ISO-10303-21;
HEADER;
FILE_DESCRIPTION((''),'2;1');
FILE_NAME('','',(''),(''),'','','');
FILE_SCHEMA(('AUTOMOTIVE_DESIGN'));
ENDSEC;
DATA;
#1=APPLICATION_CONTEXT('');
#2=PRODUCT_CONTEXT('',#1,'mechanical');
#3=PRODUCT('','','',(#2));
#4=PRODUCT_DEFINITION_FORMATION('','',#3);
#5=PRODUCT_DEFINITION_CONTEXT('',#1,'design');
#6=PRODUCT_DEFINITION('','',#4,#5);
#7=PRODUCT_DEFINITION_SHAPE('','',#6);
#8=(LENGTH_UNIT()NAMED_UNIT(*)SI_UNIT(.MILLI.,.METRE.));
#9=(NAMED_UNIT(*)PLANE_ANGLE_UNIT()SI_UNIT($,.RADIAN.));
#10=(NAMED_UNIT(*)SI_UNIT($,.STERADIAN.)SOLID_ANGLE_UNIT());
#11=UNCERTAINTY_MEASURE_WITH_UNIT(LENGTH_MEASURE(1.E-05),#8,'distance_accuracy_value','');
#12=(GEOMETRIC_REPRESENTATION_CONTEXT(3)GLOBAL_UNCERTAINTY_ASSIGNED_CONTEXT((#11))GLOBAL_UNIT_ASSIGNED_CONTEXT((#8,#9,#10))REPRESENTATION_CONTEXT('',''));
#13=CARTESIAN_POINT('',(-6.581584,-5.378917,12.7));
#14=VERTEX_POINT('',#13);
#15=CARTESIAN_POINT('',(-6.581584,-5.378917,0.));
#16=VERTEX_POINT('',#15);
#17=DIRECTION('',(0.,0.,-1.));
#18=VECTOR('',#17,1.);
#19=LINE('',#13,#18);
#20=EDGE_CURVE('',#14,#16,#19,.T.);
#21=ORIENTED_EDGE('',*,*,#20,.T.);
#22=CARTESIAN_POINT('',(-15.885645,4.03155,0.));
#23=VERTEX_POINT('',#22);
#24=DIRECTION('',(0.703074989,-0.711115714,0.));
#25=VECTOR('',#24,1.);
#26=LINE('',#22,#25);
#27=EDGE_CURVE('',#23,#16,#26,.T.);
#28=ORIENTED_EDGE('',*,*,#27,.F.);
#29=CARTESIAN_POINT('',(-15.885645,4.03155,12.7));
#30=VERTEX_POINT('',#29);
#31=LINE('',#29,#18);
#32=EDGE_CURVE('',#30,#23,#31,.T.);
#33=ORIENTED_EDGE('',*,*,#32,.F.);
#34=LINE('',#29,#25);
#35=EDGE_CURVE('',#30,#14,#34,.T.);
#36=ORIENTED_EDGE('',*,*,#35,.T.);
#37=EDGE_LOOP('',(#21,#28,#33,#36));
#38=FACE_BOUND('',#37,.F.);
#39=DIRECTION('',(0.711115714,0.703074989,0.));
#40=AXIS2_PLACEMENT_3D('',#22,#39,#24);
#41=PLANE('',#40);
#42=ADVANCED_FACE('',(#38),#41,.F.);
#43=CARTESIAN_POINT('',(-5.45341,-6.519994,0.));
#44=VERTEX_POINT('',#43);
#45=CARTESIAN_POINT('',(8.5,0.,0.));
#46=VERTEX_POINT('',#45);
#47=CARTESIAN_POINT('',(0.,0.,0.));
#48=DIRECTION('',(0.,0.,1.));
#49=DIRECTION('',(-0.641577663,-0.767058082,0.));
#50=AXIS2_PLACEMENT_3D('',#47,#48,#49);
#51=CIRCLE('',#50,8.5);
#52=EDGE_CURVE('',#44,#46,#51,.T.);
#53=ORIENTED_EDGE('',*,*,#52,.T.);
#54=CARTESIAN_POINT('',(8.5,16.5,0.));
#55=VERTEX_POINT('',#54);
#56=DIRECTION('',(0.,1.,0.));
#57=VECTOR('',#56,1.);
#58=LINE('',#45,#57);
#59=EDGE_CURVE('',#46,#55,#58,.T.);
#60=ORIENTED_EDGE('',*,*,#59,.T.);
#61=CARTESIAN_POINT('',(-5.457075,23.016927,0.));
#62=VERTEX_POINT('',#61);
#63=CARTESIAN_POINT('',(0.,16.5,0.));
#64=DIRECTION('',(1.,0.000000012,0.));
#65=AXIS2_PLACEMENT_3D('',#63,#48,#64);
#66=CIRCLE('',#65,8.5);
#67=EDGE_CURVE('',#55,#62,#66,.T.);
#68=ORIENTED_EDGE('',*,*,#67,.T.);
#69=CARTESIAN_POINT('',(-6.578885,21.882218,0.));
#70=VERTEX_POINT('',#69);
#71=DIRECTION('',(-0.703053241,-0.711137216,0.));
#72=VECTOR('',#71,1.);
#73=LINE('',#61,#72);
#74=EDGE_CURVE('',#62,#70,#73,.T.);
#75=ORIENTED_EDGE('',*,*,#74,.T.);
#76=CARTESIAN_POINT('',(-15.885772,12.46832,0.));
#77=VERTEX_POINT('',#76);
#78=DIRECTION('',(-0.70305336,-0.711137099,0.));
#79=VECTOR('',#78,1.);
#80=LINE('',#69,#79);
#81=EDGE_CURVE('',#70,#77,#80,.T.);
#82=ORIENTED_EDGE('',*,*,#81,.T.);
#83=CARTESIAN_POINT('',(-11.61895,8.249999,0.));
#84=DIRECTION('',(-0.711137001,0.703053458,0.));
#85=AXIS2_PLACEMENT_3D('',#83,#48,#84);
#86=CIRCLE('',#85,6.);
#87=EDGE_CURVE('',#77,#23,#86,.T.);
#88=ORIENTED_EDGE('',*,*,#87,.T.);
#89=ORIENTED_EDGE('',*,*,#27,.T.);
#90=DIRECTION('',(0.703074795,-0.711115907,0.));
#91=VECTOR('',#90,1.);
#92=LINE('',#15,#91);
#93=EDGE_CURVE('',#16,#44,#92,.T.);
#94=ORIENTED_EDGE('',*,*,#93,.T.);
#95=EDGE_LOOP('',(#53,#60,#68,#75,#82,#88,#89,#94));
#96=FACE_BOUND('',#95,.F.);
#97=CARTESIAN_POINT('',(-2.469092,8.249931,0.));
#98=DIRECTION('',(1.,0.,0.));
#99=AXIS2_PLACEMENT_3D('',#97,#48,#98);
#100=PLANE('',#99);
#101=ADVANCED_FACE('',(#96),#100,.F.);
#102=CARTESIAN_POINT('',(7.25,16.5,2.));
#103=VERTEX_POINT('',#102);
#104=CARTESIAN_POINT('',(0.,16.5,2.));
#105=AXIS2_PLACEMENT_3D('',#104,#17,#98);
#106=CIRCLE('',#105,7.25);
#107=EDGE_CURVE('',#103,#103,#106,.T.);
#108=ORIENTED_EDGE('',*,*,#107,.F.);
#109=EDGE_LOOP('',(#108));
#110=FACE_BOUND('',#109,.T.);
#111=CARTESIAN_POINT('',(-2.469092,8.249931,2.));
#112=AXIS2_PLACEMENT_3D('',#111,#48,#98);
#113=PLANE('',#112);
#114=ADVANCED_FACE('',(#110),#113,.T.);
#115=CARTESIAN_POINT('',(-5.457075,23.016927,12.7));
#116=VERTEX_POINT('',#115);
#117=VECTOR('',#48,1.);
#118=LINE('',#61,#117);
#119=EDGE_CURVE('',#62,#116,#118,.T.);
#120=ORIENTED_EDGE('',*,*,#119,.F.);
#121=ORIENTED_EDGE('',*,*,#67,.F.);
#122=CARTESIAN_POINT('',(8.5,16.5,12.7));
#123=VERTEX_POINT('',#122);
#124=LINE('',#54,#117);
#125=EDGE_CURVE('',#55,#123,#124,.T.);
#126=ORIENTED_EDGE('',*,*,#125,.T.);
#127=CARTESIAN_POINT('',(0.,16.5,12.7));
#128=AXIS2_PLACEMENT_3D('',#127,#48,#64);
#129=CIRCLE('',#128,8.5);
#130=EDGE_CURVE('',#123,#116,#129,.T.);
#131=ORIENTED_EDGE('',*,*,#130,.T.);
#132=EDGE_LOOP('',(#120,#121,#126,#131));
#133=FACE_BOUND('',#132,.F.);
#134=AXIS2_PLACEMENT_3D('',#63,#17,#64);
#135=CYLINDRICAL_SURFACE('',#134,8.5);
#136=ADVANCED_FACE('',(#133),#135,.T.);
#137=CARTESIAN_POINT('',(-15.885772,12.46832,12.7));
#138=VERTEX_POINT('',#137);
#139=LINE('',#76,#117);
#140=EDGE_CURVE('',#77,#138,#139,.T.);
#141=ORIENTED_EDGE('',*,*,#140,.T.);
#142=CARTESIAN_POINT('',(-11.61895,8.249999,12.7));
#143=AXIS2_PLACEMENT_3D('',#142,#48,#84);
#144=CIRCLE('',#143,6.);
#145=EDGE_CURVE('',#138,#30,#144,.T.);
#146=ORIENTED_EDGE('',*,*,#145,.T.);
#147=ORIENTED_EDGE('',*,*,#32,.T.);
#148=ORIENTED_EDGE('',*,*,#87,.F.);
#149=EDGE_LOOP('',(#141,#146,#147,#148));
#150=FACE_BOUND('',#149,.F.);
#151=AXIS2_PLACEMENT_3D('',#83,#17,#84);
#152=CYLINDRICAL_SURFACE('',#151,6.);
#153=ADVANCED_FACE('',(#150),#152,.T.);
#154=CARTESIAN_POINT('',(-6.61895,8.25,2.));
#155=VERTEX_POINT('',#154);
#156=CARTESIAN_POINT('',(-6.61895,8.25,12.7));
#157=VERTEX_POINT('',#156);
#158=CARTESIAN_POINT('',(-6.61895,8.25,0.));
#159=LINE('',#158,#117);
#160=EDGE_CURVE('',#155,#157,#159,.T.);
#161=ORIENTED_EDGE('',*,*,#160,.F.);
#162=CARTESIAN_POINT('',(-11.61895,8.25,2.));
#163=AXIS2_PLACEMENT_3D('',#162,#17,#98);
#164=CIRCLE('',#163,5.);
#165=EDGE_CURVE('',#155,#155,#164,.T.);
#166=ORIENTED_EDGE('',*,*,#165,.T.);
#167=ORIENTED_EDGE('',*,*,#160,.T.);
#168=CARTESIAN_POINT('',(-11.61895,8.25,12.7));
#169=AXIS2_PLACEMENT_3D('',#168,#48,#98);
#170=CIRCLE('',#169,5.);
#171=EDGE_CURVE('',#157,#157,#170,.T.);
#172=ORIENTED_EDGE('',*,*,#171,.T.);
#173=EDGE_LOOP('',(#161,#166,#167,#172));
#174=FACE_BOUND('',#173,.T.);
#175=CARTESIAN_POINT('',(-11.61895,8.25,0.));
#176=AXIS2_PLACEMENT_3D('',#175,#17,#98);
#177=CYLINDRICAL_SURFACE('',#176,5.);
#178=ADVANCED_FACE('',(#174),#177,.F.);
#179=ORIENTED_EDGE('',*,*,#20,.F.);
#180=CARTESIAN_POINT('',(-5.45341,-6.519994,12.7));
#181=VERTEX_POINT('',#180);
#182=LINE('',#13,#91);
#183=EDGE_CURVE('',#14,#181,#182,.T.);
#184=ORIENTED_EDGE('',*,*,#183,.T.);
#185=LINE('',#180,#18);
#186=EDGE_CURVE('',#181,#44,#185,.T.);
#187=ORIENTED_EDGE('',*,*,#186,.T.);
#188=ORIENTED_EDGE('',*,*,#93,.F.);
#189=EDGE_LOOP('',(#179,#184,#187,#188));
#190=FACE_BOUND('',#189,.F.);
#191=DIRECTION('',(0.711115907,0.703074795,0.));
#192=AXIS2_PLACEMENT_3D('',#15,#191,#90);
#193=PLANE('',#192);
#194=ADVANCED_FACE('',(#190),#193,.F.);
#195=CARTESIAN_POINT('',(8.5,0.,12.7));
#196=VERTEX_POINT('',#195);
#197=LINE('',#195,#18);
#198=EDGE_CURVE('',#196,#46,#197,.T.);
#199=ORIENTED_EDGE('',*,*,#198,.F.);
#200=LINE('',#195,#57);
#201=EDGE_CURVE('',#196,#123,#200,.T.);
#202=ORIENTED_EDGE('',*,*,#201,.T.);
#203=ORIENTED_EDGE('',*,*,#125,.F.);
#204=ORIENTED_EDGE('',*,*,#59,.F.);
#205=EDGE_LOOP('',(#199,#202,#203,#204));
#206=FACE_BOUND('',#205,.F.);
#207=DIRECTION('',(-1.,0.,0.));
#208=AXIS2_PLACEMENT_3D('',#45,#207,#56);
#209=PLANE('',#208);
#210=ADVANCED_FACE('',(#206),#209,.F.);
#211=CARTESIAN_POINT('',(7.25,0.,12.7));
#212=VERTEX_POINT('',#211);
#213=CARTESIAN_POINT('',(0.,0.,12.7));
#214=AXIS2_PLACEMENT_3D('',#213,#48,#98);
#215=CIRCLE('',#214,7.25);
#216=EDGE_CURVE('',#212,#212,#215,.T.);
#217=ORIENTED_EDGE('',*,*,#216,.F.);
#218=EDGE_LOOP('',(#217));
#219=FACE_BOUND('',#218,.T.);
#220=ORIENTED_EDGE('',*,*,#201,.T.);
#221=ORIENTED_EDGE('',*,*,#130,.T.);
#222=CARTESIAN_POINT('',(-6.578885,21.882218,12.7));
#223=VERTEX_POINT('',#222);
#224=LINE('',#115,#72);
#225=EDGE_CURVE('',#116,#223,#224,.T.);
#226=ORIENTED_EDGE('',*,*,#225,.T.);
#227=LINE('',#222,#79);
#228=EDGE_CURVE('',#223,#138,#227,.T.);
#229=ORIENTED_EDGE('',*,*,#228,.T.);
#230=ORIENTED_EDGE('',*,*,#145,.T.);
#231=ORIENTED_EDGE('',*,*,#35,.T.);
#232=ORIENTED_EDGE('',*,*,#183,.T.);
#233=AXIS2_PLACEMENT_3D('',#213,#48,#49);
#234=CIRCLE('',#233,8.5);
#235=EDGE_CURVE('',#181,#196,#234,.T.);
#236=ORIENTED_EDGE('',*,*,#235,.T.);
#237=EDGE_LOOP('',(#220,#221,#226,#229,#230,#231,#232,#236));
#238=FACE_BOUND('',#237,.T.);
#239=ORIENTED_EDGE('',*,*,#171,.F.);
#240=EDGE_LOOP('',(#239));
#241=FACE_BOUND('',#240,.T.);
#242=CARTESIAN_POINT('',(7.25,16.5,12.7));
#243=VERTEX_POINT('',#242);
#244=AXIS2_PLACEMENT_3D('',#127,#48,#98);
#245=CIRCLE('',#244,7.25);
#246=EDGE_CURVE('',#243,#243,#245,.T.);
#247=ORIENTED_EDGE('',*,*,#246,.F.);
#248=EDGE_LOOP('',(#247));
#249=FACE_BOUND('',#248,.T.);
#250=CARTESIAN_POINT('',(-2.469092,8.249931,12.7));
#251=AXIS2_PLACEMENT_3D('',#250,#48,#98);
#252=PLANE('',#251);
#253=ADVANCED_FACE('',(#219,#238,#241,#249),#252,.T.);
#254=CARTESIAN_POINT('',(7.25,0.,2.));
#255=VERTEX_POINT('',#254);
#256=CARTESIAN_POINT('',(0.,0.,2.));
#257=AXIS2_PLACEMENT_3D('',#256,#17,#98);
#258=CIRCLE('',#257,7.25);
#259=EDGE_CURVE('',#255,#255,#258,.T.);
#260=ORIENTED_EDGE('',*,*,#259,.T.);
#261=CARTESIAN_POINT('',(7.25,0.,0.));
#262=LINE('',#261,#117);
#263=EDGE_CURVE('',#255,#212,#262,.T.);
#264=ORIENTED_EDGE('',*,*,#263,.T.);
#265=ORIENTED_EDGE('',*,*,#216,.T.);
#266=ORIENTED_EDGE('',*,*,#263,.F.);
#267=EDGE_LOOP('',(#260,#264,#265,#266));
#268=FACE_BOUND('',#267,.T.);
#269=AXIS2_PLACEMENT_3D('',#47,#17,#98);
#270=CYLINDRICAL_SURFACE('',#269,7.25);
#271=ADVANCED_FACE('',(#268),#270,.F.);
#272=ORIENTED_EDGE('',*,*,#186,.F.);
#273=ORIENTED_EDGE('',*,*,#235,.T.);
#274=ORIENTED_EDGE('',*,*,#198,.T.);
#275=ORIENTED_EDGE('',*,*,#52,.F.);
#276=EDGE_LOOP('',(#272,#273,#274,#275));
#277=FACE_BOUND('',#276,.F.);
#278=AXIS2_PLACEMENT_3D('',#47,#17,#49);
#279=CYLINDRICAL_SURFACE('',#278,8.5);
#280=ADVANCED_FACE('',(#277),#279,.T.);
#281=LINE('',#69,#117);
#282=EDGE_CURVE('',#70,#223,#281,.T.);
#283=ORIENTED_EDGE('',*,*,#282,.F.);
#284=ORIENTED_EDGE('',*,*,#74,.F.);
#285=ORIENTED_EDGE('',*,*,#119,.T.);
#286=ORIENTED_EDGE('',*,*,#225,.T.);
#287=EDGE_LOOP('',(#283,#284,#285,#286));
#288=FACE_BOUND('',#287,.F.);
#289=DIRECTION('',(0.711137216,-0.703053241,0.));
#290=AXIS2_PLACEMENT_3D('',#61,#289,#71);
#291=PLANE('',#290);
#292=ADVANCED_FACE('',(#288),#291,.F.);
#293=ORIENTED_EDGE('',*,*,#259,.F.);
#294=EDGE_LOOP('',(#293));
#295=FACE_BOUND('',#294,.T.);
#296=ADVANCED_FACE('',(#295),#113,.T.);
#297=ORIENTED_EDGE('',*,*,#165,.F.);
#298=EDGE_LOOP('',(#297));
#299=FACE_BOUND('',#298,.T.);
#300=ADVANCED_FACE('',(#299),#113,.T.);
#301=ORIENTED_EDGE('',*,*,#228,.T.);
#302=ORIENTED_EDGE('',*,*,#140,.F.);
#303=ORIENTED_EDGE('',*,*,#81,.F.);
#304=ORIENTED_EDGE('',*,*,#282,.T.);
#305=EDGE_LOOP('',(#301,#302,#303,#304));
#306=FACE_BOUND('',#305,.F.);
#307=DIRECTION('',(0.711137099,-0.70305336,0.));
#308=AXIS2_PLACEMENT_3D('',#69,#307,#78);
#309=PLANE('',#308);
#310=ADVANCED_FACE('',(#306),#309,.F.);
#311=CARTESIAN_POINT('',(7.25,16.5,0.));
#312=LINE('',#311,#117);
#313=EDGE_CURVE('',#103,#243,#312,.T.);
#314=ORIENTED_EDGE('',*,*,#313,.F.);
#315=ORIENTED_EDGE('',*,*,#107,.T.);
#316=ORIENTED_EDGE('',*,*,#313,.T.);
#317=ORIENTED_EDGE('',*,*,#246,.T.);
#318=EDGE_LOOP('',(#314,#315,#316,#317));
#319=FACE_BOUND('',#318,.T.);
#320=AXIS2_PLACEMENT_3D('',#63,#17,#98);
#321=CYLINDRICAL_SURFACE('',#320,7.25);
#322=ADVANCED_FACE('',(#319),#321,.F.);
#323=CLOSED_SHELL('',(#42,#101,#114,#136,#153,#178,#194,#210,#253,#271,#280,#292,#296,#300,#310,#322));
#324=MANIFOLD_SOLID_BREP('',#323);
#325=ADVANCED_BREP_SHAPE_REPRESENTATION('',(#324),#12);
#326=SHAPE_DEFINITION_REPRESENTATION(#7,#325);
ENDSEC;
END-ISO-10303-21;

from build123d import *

# Parameters (mm, degrees)
F0_R     = 5
F0_R_2   = 7.25
F1_DEPTH = 12.7
F2_DEPTH = 2


with BuildPart() as f1:
    # F0 (on Top) → F1 (new body)
    with BuildSketch(Plane.XY):
        with BuildLine():
            Line((8.5, 0), (8.5, 16.5))
            ThreePointArc((8.5, 16.5), (3.596169, 24.20179), (-5.457075, 23.016927))
            Line((-5.457075, 23.016927), (-6.578885, 21.882218))
            Line((-6.578885, 21.882218), (-15.885772, 12.46832))
            ThreePointArc((-15.885772, 12.46832), (-17.61895, 8.249909), (-15.885645, 4.03155))
            Line((-15.885645, 4.03155), (-6.581584, -5.378917))
            Line((-6.581584, -5.378917), (-5.45341, -6.519994))
            ThreePointArc((-5.45341, -6.519994), (3.598334, -7.700779), (8.5, 0))
        make_face()
        with Locations((-11.61895, 8.25)):
            Circle(F0_R, mode=Mode.SUBTRACT)
        Circle(F0_R_2, mode=Mode.SUBTRACT)
        with Locations((0, 16.5)):
            Circle(F0_R_2, mode=Mode.SUBTRACT)
    extrude(amount=F1_DEPTH)

    # F0 (on Top) → F2 (join)
    with BuildSketch(Plane.XY):
        with BuildLine():
            Line((8.5, 0), (8.5, 16.5))
            ThreePointArc((8.5, 16.5), (3.596169, 24.20179), (-5.457075, 23.016927))
            Line((-5.457075, 23.016927), (-6.578885, 21.882218))
            Line((-6.578885, 21.882218), (-15.885772, 12.46832))
            ThreePointArc((-15.885772, 12.46832), (-17.61895, 8.249909), (-15.885645, 4.03155))
            Line((-15.885645, 4.03155), (-6.581584, -5.378917))
            Line((-6.581584, -5.378917), (-5.45341, -6.519994))
            ThreePointArc((-5.45341, -6.519994), (3.598334, -7.700779), (8.5, 0))
        make_face()
        with Locations((-11.61895, 8.25)):
            Circle(F0_R, mode=Mode.SUBTRACT)
        Circle(F0_R_2, mode=Mode.SUBTRACT)
        with Locations((0, 16.5)):
            Circle(F0_R_2, mode=Mode.SUBTRACT)
        with Locations((0, 16.5)):
            Circle(F0_R_2)
        Circle(F0_R_2)
        with Locations((-11.61895, 8.25)):
            Circle(F0_R)
    extrude(amount=F2_DEPTH)


solid = f1.part
